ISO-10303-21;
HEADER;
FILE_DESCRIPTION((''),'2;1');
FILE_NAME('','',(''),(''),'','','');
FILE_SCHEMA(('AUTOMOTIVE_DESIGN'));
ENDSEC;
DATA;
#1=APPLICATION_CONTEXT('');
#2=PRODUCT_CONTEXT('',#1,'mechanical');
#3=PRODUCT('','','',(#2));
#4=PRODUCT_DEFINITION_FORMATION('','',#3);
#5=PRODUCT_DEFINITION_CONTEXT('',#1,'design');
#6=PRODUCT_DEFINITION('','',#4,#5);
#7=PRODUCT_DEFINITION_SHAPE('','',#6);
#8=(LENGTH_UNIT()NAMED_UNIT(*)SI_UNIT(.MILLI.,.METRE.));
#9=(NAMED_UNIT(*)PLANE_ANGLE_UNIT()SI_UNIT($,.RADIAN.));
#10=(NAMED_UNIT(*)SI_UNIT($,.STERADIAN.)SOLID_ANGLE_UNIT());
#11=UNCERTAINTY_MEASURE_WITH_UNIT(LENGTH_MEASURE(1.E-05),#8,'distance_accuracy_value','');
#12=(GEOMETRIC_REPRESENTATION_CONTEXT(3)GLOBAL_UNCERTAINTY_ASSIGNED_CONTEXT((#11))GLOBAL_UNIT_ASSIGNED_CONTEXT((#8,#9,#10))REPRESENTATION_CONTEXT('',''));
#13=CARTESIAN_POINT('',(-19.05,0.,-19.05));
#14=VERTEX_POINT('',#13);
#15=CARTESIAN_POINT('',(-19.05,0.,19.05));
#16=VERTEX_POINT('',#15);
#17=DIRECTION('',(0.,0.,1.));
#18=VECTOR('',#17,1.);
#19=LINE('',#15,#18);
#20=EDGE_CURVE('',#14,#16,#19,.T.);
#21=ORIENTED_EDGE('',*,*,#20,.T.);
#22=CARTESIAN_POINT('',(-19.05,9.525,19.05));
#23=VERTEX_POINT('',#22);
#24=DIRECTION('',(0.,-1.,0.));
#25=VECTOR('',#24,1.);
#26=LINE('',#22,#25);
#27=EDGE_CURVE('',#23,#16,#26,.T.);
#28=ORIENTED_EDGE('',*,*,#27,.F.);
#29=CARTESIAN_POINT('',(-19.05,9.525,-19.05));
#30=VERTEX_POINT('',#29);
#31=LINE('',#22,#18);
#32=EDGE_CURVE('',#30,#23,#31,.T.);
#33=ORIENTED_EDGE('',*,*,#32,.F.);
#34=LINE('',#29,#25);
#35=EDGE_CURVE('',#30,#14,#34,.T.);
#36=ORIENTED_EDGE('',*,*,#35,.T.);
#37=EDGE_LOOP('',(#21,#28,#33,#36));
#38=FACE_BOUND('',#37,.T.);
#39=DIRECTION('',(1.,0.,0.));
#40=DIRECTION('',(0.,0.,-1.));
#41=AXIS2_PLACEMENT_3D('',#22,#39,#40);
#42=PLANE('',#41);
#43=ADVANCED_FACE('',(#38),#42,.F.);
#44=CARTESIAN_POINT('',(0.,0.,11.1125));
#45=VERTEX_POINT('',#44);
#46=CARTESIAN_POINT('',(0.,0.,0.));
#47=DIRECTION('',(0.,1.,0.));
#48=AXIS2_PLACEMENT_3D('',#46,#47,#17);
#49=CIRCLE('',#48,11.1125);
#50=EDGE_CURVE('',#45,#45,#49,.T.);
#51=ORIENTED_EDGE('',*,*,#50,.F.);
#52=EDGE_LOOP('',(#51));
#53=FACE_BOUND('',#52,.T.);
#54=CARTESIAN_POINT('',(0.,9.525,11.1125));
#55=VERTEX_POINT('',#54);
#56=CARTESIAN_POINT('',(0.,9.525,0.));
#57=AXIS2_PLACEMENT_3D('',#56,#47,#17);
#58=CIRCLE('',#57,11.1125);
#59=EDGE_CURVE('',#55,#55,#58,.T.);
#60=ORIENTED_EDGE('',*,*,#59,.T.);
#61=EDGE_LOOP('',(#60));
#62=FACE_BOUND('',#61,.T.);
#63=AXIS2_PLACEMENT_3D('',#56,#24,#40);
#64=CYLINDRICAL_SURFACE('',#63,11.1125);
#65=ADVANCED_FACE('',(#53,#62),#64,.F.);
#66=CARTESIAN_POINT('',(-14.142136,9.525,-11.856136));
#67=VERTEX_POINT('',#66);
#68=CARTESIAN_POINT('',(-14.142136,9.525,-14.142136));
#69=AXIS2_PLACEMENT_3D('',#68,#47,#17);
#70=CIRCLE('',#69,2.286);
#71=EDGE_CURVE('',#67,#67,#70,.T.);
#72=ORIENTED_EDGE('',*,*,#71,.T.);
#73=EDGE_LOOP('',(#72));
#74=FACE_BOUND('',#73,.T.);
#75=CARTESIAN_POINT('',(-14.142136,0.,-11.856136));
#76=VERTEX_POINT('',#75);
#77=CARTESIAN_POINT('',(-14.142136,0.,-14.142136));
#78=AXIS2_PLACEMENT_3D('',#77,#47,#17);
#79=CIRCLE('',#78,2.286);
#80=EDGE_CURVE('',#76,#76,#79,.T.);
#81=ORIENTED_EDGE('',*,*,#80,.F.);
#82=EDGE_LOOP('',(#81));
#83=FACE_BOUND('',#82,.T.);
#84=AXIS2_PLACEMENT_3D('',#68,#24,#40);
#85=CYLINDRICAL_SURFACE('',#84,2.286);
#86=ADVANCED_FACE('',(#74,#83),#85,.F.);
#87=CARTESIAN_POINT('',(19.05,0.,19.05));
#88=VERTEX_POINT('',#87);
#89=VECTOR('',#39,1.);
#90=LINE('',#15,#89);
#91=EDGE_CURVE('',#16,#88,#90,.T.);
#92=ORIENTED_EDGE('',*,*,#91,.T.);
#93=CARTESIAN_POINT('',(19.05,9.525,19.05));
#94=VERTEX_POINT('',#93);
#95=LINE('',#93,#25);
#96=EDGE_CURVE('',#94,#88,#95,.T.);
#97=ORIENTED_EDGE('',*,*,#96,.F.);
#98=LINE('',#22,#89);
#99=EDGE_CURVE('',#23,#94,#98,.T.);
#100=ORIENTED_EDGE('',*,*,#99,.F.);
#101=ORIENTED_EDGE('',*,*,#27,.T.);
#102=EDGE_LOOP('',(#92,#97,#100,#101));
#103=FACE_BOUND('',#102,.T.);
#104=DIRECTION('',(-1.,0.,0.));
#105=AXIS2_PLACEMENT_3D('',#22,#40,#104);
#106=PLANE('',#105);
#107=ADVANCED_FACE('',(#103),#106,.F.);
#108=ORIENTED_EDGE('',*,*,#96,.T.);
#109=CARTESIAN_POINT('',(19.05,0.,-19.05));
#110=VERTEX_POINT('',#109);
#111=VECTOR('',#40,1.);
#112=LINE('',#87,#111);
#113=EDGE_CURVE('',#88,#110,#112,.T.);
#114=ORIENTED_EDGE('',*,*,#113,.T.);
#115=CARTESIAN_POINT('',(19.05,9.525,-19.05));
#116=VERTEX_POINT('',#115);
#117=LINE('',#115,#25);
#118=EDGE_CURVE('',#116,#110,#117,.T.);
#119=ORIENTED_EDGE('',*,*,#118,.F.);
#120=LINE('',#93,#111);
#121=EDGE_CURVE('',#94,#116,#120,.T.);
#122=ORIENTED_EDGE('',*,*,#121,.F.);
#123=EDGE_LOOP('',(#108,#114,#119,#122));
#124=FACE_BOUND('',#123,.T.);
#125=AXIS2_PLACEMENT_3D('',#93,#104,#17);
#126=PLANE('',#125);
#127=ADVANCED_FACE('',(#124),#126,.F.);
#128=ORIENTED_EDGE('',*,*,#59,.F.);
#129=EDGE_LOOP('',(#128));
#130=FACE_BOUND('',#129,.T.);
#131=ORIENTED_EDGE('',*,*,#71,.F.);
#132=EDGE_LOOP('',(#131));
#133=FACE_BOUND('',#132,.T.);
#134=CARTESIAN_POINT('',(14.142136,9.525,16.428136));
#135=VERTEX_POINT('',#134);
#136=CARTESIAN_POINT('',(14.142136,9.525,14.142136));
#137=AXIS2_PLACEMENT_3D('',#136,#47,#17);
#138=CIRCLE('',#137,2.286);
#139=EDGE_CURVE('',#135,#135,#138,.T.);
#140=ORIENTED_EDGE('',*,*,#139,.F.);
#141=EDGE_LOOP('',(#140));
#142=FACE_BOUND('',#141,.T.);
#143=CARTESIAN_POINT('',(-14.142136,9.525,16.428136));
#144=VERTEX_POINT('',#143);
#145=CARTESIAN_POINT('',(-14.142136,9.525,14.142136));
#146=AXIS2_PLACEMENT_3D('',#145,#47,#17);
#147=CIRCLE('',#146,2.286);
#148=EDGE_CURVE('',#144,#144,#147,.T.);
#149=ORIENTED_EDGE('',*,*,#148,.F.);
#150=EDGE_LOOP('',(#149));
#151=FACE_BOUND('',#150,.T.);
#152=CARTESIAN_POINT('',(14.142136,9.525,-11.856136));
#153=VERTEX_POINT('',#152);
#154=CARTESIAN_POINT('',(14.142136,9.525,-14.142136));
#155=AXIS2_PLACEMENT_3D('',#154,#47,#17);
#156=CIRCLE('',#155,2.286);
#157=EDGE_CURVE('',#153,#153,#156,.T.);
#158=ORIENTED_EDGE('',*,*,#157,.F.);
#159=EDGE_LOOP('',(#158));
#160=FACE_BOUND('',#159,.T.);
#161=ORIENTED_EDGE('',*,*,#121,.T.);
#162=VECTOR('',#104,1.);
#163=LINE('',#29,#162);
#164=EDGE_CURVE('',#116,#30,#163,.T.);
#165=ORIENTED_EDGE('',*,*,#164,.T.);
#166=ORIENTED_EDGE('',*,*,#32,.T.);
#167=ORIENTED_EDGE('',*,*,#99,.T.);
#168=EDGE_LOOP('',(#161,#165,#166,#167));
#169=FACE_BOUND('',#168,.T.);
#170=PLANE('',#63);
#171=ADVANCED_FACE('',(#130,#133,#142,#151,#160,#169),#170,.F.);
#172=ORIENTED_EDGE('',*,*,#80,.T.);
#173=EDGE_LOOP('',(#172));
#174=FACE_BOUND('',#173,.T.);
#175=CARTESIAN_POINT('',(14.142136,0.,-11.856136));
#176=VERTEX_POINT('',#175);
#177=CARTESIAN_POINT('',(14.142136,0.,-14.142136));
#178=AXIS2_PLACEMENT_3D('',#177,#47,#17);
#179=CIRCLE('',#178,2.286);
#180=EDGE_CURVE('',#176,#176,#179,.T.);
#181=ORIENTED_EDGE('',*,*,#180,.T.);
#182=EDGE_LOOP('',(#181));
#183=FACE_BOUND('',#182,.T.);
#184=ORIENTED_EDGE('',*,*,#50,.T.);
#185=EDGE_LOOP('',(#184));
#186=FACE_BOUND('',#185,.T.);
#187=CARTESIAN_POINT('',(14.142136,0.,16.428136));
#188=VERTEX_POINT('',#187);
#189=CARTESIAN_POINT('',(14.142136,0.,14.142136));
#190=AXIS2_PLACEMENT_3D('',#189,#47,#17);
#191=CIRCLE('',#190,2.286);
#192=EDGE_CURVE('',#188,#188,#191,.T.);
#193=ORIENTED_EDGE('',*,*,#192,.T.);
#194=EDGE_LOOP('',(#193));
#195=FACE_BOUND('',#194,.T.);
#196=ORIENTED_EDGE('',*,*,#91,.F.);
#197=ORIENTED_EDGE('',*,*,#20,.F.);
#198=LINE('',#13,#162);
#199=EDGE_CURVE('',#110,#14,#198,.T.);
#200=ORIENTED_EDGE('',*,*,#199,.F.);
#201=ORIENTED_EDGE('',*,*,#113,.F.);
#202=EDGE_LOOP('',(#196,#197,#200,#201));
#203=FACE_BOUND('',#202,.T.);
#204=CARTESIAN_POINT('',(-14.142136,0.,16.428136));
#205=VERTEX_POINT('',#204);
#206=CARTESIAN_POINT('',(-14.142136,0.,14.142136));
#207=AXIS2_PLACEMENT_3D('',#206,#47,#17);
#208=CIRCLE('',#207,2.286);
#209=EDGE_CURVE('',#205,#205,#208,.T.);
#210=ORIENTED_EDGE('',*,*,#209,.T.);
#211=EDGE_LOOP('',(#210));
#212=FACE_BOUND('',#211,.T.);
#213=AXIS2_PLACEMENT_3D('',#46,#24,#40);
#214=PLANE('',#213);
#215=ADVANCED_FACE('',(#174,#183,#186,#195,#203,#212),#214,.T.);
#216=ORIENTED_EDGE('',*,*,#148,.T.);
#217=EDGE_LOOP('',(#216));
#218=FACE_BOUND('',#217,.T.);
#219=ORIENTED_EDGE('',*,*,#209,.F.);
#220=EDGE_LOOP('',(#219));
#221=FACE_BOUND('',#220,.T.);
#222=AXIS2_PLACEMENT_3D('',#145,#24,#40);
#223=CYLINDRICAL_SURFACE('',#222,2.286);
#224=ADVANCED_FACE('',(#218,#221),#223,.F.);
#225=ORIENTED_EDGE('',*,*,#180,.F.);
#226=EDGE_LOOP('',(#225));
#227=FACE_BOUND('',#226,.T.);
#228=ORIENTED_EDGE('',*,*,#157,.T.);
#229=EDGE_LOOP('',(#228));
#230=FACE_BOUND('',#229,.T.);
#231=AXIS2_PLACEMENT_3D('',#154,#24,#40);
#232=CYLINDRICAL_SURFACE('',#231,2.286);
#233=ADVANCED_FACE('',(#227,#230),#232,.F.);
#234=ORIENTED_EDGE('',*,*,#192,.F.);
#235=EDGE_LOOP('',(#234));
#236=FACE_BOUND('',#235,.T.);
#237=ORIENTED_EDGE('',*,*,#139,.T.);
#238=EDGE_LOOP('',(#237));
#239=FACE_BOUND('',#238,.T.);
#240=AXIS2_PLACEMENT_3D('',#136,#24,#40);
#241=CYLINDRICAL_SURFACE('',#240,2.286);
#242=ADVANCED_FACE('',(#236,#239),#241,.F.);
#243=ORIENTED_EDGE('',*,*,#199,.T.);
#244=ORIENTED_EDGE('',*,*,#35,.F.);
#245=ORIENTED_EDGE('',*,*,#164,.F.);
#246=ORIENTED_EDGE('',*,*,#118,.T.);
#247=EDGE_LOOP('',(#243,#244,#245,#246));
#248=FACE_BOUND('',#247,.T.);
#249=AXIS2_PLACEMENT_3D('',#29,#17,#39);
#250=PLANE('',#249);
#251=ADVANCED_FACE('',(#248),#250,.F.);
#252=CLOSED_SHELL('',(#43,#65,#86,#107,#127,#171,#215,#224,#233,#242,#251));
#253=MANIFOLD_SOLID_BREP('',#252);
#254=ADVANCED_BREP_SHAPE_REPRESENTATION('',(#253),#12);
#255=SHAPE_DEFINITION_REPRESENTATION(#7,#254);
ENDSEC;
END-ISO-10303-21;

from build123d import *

# Parameters (mm, degrees)
SKETCH1_W           = 38.1
SKETCH1_H           = 38.1
SKETCH1_R           = 2.286
SKETCH1_R_2         = 11.1125
BOSS_EXTRUDE1_DEPTH = 9.525


with BuildPart() as part:
    # Sketch1 → Boss-Extrude1 (new body)
    with BuildSketch(Plane(origin=(0, 0, 0), x_dir=(1, 0, 0), z_dir=(0, 1, 0))):
        Rectangle(SKETCH1_W, SKETCH1_H)
        with Locations((14.142135624, 14.142135624)):
            Circle(SKETCH1_R, mode=Mode.SUBTRACT)
        with Locations((14.142135624, -14.142135624)):
            Circle(SKETCH1_R, mode=Mode.SUBTRACT)
        with Locations((-14.142135624, -14.142135624)):
            Circle(SKETCH1_R, mode=Mode.SUBTRACT)
        with Locations((-14.142135624, 14.142135624)):
            Circle(SKETCH1_R, mode=Mode.SUBTRACT)
        Circle(SKETCH1_R_2, mode=Mode.SUBTRACT)
    extrude(amount=BOSS_EXTRUDE1_DEPTH)


solid = part.part
